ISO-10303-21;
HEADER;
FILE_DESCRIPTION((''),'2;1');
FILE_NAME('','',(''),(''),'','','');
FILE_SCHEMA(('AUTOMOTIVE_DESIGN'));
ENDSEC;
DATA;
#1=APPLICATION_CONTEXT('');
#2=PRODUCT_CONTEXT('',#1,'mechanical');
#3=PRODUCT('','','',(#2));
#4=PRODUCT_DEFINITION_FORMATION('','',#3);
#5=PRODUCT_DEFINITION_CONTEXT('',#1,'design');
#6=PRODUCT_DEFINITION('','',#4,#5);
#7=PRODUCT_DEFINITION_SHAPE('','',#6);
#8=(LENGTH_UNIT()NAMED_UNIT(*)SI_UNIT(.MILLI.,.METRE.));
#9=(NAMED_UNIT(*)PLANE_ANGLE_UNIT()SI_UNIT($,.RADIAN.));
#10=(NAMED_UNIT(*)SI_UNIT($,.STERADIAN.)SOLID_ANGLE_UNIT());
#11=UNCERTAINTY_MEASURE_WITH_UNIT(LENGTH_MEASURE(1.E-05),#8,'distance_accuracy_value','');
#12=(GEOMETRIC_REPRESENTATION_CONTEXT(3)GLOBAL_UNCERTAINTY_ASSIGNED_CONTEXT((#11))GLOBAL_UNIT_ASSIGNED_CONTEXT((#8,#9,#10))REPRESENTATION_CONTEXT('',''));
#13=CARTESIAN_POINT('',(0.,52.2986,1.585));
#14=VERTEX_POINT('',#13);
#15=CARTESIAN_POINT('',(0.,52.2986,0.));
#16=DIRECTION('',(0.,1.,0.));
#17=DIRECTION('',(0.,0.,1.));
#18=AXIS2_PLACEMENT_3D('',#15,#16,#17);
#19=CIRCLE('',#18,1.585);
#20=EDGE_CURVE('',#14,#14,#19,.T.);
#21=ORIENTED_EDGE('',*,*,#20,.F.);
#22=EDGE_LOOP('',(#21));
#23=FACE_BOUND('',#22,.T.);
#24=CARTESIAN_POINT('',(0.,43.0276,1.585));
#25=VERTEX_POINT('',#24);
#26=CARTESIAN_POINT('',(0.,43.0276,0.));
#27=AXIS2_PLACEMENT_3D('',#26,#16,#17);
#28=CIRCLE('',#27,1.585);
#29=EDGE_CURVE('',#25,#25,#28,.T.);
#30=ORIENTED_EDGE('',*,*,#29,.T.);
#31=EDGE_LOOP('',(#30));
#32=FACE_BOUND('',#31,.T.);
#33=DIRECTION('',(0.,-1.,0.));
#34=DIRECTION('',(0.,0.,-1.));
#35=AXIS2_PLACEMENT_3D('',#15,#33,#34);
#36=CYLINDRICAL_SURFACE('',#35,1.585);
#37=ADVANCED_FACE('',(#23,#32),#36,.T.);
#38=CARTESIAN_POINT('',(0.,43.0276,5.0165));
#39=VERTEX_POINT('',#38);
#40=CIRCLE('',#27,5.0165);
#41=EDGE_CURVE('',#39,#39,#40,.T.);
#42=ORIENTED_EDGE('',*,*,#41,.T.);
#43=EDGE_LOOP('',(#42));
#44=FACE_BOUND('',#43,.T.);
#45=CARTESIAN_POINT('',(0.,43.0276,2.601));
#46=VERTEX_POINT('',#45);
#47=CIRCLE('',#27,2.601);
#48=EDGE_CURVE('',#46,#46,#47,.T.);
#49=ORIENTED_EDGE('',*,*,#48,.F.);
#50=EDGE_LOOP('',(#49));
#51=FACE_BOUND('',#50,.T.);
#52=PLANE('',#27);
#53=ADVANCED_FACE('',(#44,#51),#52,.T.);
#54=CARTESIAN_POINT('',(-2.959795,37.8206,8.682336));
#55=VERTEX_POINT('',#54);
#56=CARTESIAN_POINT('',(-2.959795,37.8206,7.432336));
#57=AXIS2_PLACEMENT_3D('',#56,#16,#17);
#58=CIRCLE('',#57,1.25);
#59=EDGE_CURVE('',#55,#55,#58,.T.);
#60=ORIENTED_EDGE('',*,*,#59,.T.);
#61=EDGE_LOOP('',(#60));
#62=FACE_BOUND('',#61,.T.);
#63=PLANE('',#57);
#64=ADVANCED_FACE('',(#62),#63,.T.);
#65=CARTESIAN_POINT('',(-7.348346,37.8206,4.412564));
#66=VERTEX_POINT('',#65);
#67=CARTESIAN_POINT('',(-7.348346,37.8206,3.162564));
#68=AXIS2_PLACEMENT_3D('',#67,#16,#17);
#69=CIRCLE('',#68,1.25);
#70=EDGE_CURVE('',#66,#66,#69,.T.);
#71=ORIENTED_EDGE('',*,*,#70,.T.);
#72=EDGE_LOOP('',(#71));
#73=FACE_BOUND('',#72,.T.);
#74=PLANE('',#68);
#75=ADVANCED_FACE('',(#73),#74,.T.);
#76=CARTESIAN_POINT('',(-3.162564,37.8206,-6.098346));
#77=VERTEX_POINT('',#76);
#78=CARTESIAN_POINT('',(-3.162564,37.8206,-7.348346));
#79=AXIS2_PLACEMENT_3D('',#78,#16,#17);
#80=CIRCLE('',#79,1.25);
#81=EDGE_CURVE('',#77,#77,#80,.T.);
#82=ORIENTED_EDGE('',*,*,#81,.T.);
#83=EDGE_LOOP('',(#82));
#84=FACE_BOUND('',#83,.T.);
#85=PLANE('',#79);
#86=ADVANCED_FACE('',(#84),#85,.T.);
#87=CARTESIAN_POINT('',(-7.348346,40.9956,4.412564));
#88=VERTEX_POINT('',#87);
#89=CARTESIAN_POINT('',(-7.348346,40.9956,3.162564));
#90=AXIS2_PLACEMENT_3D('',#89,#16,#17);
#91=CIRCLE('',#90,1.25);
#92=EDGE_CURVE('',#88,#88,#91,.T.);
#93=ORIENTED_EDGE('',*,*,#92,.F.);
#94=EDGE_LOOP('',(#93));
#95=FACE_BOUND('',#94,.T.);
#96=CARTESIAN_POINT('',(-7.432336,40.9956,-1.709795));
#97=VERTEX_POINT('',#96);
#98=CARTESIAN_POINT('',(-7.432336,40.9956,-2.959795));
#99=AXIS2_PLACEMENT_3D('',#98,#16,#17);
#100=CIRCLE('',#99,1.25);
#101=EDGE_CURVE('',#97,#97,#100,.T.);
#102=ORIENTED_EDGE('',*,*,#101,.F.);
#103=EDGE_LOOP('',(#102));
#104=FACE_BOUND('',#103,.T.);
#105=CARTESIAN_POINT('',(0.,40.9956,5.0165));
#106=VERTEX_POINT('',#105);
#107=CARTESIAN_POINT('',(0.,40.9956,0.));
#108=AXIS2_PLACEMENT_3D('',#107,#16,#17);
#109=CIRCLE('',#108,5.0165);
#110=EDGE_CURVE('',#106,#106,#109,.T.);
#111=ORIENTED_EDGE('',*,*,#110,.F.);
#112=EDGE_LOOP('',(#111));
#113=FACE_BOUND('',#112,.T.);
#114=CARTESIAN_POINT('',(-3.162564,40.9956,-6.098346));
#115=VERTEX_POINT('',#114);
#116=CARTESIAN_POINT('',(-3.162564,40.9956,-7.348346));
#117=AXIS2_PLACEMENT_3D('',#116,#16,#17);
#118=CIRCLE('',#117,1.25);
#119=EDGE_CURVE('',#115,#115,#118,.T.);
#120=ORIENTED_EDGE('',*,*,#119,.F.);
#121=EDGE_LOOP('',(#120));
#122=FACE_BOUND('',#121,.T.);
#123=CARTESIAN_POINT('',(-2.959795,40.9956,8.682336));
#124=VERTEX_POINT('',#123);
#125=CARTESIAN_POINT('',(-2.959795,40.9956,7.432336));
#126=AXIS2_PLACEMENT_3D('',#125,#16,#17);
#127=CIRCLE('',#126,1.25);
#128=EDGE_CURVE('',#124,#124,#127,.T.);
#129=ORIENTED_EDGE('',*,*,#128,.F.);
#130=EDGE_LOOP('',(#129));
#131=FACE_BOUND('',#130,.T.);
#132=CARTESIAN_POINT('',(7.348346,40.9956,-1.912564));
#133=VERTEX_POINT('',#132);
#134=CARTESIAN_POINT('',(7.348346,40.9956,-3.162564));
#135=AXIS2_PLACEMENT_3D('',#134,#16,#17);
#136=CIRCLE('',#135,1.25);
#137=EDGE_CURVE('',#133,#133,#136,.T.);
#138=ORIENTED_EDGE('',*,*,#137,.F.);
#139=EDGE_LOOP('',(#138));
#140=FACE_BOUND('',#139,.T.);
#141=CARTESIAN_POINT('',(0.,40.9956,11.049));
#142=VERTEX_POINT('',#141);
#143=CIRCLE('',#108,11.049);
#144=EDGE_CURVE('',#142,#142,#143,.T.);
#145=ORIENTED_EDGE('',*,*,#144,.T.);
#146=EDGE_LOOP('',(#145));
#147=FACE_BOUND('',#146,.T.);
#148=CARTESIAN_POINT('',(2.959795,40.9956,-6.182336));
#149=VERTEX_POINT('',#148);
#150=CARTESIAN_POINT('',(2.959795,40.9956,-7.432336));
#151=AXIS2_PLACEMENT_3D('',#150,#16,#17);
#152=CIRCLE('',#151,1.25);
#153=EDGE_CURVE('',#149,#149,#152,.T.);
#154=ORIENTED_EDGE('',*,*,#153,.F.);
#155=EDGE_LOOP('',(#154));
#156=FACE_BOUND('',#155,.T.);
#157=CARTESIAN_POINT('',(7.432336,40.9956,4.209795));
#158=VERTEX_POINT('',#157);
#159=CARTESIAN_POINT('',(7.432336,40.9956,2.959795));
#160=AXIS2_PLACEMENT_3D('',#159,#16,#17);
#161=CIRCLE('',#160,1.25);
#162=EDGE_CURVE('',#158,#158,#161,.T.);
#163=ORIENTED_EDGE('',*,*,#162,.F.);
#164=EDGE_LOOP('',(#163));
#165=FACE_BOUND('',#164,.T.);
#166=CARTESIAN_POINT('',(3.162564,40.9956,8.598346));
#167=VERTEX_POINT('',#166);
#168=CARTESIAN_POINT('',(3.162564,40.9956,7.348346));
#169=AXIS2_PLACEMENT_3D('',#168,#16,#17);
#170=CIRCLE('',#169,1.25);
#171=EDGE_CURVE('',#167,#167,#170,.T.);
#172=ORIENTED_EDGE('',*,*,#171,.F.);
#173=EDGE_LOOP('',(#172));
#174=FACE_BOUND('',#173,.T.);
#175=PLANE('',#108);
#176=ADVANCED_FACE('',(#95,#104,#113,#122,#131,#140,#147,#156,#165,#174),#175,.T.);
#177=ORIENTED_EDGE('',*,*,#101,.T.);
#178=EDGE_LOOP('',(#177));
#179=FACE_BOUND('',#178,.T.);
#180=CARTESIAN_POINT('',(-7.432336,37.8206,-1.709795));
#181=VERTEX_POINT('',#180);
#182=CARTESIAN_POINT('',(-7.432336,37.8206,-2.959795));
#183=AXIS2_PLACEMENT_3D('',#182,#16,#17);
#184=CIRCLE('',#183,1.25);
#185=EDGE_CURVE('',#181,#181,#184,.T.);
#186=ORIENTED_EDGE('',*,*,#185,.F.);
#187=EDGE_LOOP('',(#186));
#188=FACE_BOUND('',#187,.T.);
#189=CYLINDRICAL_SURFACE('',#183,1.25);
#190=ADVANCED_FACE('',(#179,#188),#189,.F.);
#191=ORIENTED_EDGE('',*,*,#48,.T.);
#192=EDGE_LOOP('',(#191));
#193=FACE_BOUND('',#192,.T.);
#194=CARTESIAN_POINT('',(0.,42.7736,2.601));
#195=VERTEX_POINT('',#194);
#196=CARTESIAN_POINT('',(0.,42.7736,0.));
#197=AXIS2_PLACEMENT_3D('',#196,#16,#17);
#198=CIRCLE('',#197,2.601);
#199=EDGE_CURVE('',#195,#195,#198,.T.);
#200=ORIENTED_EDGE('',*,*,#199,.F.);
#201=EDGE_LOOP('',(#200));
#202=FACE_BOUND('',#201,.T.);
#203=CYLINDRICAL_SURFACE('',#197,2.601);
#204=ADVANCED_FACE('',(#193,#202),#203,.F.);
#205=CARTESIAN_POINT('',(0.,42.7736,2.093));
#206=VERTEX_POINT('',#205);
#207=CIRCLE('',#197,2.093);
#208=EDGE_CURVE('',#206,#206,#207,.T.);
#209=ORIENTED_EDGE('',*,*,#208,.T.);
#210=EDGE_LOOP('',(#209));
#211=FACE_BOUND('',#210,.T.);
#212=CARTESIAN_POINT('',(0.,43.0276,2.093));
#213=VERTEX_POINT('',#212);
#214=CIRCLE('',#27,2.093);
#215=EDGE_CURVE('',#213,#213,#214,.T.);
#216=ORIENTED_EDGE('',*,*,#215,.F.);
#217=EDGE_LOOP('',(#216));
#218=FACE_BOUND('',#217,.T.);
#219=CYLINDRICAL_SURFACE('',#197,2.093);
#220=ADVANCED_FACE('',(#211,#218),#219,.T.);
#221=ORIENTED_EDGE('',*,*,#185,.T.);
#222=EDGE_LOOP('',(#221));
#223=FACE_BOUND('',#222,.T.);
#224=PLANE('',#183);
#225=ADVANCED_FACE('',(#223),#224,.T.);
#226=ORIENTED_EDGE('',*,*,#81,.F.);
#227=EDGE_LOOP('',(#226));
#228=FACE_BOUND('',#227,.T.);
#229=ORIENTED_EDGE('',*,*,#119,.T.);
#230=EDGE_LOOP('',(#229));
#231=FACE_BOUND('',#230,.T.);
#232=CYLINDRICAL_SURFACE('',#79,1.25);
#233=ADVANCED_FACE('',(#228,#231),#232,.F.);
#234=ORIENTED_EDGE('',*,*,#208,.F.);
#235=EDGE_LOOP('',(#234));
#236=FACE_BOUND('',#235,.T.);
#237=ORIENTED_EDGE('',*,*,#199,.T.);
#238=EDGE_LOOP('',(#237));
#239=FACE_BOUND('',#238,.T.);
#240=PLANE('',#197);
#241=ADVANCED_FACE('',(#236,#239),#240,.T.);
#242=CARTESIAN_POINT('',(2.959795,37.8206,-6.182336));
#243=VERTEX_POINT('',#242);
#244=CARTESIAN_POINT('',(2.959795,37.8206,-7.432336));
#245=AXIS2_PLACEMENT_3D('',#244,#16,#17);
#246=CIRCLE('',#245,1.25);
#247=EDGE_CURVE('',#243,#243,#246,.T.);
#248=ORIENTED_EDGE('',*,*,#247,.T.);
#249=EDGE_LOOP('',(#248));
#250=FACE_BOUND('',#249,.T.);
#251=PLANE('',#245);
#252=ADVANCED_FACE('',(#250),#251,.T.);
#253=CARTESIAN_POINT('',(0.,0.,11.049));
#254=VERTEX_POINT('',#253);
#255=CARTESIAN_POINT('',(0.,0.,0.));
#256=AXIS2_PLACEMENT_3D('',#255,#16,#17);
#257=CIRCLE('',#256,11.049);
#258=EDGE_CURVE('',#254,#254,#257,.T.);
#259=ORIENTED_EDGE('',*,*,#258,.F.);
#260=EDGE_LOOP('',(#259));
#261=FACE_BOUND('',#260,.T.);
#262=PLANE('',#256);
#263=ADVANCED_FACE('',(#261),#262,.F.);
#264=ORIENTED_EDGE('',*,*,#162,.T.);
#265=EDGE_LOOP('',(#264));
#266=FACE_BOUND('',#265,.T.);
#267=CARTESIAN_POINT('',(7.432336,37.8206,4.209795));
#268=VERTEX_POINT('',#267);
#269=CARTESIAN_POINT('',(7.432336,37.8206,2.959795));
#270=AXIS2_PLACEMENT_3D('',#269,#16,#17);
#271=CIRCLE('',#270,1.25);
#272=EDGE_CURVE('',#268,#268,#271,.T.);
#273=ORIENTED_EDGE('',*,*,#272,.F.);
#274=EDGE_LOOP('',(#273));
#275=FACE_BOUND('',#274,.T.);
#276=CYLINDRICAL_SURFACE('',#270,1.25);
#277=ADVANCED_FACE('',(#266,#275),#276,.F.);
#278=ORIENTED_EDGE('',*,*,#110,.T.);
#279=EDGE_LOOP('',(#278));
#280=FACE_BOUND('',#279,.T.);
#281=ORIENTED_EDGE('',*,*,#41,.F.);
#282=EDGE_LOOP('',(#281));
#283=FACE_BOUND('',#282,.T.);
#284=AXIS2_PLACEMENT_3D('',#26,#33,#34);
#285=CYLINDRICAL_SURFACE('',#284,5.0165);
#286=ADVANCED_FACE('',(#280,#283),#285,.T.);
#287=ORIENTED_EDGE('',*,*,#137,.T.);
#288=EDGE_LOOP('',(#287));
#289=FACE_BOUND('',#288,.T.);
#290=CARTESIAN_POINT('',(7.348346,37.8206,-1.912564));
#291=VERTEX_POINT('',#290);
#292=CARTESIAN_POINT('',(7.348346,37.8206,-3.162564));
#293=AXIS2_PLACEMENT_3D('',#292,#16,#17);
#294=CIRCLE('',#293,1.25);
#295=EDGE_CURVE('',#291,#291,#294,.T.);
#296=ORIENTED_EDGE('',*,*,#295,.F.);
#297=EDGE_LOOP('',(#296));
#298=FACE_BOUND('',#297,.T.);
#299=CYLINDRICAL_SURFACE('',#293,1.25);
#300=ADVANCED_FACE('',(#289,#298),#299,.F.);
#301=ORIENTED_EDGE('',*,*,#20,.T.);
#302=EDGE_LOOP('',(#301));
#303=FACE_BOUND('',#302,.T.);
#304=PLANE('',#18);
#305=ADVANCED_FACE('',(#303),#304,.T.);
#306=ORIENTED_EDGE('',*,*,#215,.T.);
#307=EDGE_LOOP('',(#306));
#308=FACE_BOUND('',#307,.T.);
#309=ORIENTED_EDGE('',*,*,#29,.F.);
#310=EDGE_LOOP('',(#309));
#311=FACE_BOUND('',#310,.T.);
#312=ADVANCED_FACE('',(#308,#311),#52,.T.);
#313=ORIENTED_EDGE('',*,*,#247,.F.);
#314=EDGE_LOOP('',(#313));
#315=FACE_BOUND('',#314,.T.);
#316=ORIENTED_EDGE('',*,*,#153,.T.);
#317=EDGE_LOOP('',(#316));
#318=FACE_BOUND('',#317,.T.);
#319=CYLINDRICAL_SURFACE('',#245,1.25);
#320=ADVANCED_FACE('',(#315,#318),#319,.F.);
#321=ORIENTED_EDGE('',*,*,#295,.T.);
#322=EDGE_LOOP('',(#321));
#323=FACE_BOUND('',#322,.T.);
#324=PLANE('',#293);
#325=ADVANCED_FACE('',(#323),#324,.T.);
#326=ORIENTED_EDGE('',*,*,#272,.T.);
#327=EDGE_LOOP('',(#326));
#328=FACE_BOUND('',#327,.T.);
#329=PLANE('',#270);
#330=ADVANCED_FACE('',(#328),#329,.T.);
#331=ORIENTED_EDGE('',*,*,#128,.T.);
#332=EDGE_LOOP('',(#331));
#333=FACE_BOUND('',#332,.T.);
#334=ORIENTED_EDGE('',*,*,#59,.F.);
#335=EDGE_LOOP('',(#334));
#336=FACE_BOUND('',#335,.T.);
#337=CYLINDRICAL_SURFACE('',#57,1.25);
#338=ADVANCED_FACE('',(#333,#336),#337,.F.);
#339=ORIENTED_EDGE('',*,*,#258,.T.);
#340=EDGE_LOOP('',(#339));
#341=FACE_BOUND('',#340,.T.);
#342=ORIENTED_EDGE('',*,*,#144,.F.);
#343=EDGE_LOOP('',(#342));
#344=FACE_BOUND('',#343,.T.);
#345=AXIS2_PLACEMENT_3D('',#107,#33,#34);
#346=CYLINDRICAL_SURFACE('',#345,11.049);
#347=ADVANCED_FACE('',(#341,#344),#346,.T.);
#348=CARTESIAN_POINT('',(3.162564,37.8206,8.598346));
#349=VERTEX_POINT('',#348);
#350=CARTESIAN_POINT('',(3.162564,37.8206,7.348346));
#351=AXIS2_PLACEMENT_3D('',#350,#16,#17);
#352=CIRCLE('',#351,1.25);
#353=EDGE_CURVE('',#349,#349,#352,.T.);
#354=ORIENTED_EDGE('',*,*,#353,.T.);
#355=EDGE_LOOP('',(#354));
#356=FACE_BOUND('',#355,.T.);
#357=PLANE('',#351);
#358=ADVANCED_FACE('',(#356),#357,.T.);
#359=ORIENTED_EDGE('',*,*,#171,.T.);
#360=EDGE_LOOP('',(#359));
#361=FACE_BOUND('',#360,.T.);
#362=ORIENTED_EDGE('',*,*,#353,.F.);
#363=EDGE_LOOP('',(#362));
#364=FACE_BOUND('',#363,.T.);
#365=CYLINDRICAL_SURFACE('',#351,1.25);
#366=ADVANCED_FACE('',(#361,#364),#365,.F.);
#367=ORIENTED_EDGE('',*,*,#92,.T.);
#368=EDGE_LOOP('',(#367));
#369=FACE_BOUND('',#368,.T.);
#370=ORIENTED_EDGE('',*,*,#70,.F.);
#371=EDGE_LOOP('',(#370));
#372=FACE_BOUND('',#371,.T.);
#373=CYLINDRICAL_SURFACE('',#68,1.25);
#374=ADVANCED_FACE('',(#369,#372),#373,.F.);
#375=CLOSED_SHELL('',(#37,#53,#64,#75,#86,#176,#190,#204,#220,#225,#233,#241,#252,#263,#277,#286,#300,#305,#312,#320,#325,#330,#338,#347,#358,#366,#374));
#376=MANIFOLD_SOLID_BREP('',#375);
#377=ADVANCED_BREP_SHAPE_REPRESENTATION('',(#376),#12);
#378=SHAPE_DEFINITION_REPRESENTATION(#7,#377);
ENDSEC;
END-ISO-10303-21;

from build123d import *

# Parameters (mm, degrees)
SKETCH1_R           = 11.049
BOSS_EXTRUDE1_DEPTH = 40.9956
SKETCH2_R           = 5.0165
BOSS_EXTRUDE2_DEPTH = 2.032
SKETCH3_R           = 1.585
BOSS_EXTRUDE3_DEPTH = 9.271
SKETCH5_R           = 1.25
CUT_EXTRUDE4_DEPTH  = 3.175
SKETCH7_R           = 2.601
SKETCH7_R_2         = 2.093
CUT_EXTRUDE5_DEPTH  = 0.254


with BuildPart() as part:
    # Sketch1 → Boss-Extrude1 (new body)
    with BuildSketch(Plane(origin=(0, 0, 0), x_dir=(1, 0, 0), z_dir=(0, 1, 0))):
        with Locations(Location((0, 0, 0), (0, 0, 270))):
            Circle(SKETCH1_R)
    extrude(amount=BOSS_EXTRUDE1_DEPTH)

    # Sketch2 → Boss-Extrude2 (add)
    with BuildSketch(Plane(origin=(0, 40.9956, 0), x_dir=(1, 0, 0), z_dir=(0, 1, 0))):
        with Locations(Location((0, 0, 0), (0, 0, 270))):
            Circle(SKETCH2_R)
    extrude(amount=BOSS_EXTRUDE2_DEPTH)

    # Sketch3 → Boss-Extrude3 (add)
    with BuildSketch(Plane(origin=(0, 43.0276, 0), x_dir=(1, 0, 0), z_dir=(0, 1, 0))):
        with Locations(Location((0, 0, 0), (0, 0, 270))):
            Circle(SKETCH3_R)
    extrude(amount=BOSS_EXTRUDE3_DEPTH)

    # Sketch5 → Cut-Extrude4 (cut)
    with BuildSketch(Plane(origin=(0, 40.9956, 0), x_dir=(1, 0, 0), z_dir=(0, 1, 0))):
        with Locations(Location((-7.432335625, 2.959795122, 0), (0, 0, 270))):
            Circle(SKETCH5_R)
        with Locations(Location((-3.162563719, 7.348346122, 0), (0, 0, 270))):
            Circle(SKETCH5_R)
        with Locations(Location((2.959795122, 7.432335625, 0), (0, 0, 270))):
            Circle(SKETCH5_R)
        with Locations(Location((7.348346122, 3.162563719, 0), (0, 0, 270))):
            Circle(SKETCH5_R)
        with Locations(Location((7.432335625, -2.959795122, 0), (0, 0, 270))):
            Circle(SKETCH5_R)
        with Locations(Location((3.162563719, -7.348346122, 0), (0, 0, 270))):
            Circle(SKETCH5_R)
        with Locations(Location((-2.959795122, -7.432335625, 0), (0, 0, 270))):
            Circle(SKETCH5_R)
        with Locations(Location((-7.348346122, -3.162563719, 0), (0, 0, 270))):
            Circle(SKETCH5_R)
    extrude(amount=-CUT_EXTRUDE4_DEPTH, mode=Mode.SUBTRACT)

    # Sketch7 → Cut-Extrude5 (cut)
    with BuildSketch(Plane(origin=(0, 43.0276, 0), x_dir=(1, 0, 0), z_dir=(0, 1, 0))):
        with Locations(Location((0, 0, 0), (0, 0, 270))):
            Circle(SKETCH7_R)
        with Locations(Location((0, 0, 0), (0, 0, 270))):
            Circle(SKETCH7_R_2, mode=Mode.SUBTRACT)
    extrude(amount=-CUT_EXTRUDE5_DEPTH, mode=Mode.SUBTRACT)


solid = part.part
